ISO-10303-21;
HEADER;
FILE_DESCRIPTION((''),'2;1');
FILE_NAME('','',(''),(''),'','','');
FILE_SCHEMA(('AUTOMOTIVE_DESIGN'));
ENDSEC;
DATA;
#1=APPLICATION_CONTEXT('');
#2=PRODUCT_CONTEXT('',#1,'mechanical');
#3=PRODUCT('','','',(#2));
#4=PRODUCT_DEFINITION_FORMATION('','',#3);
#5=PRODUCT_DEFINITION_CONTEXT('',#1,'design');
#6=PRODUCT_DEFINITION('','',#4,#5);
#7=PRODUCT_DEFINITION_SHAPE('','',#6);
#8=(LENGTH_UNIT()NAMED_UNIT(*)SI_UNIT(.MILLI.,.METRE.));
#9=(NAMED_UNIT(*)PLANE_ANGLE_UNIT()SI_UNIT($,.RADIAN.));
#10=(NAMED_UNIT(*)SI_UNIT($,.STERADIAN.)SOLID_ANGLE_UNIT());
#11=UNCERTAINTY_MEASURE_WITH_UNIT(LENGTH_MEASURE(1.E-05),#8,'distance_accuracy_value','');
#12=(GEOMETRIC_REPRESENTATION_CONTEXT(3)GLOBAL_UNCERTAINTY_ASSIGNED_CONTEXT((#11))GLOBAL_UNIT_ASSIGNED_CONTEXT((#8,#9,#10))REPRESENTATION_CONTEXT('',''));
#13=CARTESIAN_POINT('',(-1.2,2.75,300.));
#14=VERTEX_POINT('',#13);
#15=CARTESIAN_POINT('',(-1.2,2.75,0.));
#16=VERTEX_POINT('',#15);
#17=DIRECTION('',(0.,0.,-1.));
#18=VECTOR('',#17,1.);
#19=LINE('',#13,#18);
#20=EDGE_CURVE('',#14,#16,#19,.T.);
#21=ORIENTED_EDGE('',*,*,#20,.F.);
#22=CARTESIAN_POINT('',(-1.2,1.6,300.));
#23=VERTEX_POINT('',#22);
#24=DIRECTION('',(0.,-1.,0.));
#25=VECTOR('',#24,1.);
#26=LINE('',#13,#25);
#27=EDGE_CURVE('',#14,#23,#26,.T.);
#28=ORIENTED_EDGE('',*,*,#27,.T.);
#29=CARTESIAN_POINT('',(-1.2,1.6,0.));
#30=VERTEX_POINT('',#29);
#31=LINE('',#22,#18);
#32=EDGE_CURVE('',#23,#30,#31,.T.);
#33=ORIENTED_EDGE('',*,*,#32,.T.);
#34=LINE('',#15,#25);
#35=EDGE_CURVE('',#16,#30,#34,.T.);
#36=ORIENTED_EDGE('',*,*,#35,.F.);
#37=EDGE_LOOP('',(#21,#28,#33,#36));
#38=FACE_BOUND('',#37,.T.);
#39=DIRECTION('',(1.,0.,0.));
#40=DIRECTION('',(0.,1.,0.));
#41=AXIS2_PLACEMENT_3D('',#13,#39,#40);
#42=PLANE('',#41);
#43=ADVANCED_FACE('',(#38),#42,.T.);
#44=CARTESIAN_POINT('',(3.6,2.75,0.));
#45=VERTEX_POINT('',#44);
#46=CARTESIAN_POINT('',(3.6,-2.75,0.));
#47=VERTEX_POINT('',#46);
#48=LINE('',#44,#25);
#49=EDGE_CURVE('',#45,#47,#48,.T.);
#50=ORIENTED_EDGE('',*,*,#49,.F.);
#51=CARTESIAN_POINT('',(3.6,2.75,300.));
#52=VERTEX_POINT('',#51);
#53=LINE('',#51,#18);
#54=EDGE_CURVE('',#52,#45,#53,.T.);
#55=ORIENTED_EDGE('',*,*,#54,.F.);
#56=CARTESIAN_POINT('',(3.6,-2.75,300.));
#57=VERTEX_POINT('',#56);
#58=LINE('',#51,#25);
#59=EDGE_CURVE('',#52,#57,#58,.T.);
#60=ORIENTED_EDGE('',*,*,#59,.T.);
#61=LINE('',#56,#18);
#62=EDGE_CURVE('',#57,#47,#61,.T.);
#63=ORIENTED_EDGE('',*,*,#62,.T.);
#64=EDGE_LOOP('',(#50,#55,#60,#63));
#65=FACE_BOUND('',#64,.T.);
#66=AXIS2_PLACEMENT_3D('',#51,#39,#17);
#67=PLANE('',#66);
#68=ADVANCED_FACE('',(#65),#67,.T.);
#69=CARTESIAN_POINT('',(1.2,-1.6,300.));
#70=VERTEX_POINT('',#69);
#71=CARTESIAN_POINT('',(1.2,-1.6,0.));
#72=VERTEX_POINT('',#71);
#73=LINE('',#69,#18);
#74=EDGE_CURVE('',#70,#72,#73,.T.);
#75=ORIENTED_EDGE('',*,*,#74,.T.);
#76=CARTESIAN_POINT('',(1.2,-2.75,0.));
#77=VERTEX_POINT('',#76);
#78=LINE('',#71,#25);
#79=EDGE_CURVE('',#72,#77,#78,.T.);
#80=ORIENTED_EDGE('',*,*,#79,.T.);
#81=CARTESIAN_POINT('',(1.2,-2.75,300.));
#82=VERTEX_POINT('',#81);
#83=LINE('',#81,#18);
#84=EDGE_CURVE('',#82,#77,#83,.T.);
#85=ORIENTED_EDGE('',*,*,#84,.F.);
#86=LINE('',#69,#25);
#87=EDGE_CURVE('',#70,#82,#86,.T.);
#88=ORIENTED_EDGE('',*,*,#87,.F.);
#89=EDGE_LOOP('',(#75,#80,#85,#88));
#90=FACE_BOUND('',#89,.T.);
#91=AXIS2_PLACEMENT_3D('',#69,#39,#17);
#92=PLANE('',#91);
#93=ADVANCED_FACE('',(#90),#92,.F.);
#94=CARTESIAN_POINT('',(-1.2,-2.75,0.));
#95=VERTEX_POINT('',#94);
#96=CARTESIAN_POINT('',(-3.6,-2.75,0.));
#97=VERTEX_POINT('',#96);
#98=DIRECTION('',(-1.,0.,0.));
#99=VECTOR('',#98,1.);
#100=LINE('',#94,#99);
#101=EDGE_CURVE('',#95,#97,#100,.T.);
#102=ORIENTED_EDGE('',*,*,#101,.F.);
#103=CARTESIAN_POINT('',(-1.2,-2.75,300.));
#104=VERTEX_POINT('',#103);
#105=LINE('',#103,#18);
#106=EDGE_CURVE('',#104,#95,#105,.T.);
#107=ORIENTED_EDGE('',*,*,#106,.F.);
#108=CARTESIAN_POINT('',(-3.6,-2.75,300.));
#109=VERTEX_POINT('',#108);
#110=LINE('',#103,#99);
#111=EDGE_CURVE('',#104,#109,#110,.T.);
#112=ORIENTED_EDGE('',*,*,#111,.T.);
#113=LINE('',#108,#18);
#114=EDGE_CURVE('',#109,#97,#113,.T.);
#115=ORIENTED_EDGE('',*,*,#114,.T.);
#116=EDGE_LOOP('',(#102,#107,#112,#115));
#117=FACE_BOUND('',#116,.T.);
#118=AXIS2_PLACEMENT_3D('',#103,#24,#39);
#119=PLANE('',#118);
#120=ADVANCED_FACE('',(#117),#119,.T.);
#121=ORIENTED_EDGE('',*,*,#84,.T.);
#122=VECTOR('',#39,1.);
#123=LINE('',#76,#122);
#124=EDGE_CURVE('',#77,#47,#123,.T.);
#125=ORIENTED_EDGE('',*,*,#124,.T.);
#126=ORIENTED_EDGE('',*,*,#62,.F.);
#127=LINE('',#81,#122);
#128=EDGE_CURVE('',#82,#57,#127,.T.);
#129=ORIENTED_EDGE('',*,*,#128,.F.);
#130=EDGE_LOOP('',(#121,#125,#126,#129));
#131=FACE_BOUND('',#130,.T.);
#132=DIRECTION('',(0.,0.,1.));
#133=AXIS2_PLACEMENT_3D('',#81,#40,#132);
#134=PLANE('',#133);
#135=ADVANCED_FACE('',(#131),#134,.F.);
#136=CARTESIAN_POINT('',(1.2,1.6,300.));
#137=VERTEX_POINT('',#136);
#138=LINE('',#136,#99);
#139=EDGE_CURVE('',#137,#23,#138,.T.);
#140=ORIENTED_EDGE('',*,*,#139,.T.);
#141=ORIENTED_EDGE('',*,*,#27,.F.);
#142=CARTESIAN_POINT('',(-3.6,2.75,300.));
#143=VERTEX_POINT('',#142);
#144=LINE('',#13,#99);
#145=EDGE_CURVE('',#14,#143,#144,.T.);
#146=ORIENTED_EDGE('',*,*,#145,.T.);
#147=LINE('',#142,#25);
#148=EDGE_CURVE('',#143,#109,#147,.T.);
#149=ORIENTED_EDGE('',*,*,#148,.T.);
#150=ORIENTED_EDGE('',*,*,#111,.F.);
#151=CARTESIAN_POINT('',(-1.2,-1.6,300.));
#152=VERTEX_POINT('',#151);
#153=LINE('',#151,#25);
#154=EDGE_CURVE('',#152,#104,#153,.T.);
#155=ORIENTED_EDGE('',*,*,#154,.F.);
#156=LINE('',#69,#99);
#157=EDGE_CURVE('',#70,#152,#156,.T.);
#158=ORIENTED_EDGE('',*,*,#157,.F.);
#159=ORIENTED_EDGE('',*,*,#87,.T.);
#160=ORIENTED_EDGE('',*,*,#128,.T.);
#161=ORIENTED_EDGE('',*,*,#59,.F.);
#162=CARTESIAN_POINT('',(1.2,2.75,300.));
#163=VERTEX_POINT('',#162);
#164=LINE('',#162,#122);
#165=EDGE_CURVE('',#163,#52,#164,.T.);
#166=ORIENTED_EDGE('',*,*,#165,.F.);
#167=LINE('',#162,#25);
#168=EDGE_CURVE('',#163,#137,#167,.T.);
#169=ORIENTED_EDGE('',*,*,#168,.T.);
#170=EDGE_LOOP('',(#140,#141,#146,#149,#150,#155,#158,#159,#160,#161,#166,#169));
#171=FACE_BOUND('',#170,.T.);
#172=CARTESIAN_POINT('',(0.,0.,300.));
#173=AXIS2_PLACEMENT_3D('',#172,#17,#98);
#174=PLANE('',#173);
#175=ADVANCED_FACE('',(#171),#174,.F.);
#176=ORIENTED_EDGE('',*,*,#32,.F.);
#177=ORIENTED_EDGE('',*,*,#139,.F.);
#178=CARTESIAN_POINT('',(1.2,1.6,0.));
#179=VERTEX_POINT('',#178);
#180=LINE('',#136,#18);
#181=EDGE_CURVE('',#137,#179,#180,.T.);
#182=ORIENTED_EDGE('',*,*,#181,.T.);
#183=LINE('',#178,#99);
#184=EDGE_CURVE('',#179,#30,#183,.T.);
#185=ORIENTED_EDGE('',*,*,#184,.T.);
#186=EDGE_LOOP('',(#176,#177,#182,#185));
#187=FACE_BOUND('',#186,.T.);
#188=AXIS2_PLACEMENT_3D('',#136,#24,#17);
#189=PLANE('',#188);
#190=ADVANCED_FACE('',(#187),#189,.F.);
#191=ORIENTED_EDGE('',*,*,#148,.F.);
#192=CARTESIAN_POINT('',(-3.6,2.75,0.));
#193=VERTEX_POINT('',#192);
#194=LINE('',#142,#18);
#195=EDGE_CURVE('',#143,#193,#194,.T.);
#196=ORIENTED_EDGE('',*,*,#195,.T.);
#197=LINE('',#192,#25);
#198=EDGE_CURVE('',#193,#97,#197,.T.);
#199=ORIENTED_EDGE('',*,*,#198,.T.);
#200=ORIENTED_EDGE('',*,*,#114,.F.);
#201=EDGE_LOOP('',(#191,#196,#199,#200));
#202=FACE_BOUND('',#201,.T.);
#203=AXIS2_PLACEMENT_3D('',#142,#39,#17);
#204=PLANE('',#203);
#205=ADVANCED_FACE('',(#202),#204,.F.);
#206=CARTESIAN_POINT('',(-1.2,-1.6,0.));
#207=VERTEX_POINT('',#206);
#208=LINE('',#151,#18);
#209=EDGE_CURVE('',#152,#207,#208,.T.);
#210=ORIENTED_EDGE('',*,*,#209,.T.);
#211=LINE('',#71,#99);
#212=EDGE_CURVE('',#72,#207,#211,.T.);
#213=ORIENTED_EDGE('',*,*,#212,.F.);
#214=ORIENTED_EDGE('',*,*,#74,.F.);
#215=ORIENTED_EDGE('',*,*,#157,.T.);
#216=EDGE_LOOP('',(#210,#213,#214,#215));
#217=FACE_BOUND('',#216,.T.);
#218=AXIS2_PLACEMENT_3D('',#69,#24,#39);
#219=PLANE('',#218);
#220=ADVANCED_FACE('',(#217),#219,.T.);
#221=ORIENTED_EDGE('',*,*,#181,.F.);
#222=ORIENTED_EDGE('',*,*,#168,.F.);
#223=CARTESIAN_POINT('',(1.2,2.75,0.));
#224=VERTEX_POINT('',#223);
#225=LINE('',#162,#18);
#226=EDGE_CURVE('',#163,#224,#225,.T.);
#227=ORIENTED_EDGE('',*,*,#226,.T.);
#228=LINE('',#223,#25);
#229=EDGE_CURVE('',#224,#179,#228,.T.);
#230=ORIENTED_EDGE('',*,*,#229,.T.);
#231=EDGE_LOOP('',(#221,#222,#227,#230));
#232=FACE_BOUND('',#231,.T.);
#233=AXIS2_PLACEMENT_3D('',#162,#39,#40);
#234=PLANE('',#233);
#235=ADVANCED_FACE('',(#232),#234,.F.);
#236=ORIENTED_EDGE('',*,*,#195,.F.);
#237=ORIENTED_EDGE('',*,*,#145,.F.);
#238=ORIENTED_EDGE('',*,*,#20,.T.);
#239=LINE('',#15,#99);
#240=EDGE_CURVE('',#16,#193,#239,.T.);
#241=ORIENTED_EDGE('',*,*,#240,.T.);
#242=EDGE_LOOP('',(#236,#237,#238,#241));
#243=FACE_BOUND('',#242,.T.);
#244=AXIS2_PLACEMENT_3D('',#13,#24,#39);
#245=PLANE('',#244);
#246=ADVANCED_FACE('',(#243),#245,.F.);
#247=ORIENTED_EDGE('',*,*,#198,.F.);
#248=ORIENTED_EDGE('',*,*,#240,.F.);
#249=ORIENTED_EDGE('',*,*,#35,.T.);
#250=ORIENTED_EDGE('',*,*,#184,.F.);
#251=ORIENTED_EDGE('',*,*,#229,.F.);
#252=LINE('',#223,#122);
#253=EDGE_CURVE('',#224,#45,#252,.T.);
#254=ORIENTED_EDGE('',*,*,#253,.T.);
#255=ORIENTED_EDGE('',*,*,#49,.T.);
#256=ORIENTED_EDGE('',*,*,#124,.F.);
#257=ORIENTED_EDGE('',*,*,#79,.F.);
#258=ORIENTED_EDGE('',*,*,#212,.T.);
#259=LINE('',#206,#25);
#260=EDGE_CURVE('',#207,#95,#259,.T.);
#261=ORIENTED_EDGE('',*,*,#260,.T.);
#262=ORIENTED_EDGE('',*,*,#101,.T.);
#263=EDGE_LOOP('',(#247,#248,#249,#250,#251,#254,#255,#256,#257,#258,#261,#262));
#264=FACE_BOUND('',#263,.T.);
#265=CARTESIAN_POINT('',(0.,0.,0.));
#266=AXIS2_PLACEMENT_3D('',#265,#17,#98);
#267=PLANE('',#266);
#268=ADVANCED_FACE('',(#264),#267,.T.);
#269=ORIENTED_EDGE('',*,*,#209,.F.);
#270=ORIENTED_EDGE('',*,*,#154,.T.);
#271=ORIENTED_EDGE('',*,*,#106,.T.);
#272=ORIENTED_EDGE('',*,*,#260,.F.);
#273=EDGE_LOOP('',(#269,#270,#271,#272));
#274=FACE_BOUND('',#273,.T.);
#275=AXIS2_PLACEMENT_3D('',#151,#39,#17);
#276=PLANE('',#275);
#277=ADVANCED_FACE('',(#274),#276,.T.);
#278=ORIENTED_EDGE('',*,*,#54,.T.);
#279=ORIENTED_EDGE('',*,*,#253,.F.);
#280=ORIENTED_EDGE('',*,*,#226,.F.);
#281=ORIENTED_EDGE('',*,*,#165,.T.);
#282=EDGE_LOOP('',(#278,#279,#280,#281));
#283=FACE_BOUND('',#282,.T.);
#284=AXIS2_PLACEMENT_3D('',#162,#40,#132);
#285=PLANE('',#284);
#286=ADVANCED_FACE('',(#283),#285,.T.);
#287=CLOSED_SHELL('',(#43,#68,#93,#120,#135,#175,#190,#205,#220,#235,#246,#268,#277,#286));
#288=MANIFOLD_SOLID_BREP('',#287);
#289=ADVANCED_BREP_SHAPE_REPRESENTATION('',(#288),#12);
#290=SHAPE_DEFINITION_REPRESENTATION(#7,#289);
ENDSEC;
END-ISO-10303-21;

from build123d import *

# Parameters (mm, degrees)
BOSS_EXTRUDE1_DEPTH = 300


with BuildPart() as part:
    # Sketch1 → Boss-Extrude1 (new body)
    with BuildSketch(Plane.XY):
        Polygon((-1.2, 2.75), (-3.6, 2.75), (-3.6, -2.75), (-1.2, -2.75), (-1.2, -1.6), (1.2, -1.6), (1.2, -2.75), (3.6, -2.75), (3.6, 2.75), (1.2, 2.75), (1.2, 1.6), (-1.2, 1.6), align=None)
    extrude(amount=BOSS_EXTRUDE1_DEPTH)


solid = part.part
